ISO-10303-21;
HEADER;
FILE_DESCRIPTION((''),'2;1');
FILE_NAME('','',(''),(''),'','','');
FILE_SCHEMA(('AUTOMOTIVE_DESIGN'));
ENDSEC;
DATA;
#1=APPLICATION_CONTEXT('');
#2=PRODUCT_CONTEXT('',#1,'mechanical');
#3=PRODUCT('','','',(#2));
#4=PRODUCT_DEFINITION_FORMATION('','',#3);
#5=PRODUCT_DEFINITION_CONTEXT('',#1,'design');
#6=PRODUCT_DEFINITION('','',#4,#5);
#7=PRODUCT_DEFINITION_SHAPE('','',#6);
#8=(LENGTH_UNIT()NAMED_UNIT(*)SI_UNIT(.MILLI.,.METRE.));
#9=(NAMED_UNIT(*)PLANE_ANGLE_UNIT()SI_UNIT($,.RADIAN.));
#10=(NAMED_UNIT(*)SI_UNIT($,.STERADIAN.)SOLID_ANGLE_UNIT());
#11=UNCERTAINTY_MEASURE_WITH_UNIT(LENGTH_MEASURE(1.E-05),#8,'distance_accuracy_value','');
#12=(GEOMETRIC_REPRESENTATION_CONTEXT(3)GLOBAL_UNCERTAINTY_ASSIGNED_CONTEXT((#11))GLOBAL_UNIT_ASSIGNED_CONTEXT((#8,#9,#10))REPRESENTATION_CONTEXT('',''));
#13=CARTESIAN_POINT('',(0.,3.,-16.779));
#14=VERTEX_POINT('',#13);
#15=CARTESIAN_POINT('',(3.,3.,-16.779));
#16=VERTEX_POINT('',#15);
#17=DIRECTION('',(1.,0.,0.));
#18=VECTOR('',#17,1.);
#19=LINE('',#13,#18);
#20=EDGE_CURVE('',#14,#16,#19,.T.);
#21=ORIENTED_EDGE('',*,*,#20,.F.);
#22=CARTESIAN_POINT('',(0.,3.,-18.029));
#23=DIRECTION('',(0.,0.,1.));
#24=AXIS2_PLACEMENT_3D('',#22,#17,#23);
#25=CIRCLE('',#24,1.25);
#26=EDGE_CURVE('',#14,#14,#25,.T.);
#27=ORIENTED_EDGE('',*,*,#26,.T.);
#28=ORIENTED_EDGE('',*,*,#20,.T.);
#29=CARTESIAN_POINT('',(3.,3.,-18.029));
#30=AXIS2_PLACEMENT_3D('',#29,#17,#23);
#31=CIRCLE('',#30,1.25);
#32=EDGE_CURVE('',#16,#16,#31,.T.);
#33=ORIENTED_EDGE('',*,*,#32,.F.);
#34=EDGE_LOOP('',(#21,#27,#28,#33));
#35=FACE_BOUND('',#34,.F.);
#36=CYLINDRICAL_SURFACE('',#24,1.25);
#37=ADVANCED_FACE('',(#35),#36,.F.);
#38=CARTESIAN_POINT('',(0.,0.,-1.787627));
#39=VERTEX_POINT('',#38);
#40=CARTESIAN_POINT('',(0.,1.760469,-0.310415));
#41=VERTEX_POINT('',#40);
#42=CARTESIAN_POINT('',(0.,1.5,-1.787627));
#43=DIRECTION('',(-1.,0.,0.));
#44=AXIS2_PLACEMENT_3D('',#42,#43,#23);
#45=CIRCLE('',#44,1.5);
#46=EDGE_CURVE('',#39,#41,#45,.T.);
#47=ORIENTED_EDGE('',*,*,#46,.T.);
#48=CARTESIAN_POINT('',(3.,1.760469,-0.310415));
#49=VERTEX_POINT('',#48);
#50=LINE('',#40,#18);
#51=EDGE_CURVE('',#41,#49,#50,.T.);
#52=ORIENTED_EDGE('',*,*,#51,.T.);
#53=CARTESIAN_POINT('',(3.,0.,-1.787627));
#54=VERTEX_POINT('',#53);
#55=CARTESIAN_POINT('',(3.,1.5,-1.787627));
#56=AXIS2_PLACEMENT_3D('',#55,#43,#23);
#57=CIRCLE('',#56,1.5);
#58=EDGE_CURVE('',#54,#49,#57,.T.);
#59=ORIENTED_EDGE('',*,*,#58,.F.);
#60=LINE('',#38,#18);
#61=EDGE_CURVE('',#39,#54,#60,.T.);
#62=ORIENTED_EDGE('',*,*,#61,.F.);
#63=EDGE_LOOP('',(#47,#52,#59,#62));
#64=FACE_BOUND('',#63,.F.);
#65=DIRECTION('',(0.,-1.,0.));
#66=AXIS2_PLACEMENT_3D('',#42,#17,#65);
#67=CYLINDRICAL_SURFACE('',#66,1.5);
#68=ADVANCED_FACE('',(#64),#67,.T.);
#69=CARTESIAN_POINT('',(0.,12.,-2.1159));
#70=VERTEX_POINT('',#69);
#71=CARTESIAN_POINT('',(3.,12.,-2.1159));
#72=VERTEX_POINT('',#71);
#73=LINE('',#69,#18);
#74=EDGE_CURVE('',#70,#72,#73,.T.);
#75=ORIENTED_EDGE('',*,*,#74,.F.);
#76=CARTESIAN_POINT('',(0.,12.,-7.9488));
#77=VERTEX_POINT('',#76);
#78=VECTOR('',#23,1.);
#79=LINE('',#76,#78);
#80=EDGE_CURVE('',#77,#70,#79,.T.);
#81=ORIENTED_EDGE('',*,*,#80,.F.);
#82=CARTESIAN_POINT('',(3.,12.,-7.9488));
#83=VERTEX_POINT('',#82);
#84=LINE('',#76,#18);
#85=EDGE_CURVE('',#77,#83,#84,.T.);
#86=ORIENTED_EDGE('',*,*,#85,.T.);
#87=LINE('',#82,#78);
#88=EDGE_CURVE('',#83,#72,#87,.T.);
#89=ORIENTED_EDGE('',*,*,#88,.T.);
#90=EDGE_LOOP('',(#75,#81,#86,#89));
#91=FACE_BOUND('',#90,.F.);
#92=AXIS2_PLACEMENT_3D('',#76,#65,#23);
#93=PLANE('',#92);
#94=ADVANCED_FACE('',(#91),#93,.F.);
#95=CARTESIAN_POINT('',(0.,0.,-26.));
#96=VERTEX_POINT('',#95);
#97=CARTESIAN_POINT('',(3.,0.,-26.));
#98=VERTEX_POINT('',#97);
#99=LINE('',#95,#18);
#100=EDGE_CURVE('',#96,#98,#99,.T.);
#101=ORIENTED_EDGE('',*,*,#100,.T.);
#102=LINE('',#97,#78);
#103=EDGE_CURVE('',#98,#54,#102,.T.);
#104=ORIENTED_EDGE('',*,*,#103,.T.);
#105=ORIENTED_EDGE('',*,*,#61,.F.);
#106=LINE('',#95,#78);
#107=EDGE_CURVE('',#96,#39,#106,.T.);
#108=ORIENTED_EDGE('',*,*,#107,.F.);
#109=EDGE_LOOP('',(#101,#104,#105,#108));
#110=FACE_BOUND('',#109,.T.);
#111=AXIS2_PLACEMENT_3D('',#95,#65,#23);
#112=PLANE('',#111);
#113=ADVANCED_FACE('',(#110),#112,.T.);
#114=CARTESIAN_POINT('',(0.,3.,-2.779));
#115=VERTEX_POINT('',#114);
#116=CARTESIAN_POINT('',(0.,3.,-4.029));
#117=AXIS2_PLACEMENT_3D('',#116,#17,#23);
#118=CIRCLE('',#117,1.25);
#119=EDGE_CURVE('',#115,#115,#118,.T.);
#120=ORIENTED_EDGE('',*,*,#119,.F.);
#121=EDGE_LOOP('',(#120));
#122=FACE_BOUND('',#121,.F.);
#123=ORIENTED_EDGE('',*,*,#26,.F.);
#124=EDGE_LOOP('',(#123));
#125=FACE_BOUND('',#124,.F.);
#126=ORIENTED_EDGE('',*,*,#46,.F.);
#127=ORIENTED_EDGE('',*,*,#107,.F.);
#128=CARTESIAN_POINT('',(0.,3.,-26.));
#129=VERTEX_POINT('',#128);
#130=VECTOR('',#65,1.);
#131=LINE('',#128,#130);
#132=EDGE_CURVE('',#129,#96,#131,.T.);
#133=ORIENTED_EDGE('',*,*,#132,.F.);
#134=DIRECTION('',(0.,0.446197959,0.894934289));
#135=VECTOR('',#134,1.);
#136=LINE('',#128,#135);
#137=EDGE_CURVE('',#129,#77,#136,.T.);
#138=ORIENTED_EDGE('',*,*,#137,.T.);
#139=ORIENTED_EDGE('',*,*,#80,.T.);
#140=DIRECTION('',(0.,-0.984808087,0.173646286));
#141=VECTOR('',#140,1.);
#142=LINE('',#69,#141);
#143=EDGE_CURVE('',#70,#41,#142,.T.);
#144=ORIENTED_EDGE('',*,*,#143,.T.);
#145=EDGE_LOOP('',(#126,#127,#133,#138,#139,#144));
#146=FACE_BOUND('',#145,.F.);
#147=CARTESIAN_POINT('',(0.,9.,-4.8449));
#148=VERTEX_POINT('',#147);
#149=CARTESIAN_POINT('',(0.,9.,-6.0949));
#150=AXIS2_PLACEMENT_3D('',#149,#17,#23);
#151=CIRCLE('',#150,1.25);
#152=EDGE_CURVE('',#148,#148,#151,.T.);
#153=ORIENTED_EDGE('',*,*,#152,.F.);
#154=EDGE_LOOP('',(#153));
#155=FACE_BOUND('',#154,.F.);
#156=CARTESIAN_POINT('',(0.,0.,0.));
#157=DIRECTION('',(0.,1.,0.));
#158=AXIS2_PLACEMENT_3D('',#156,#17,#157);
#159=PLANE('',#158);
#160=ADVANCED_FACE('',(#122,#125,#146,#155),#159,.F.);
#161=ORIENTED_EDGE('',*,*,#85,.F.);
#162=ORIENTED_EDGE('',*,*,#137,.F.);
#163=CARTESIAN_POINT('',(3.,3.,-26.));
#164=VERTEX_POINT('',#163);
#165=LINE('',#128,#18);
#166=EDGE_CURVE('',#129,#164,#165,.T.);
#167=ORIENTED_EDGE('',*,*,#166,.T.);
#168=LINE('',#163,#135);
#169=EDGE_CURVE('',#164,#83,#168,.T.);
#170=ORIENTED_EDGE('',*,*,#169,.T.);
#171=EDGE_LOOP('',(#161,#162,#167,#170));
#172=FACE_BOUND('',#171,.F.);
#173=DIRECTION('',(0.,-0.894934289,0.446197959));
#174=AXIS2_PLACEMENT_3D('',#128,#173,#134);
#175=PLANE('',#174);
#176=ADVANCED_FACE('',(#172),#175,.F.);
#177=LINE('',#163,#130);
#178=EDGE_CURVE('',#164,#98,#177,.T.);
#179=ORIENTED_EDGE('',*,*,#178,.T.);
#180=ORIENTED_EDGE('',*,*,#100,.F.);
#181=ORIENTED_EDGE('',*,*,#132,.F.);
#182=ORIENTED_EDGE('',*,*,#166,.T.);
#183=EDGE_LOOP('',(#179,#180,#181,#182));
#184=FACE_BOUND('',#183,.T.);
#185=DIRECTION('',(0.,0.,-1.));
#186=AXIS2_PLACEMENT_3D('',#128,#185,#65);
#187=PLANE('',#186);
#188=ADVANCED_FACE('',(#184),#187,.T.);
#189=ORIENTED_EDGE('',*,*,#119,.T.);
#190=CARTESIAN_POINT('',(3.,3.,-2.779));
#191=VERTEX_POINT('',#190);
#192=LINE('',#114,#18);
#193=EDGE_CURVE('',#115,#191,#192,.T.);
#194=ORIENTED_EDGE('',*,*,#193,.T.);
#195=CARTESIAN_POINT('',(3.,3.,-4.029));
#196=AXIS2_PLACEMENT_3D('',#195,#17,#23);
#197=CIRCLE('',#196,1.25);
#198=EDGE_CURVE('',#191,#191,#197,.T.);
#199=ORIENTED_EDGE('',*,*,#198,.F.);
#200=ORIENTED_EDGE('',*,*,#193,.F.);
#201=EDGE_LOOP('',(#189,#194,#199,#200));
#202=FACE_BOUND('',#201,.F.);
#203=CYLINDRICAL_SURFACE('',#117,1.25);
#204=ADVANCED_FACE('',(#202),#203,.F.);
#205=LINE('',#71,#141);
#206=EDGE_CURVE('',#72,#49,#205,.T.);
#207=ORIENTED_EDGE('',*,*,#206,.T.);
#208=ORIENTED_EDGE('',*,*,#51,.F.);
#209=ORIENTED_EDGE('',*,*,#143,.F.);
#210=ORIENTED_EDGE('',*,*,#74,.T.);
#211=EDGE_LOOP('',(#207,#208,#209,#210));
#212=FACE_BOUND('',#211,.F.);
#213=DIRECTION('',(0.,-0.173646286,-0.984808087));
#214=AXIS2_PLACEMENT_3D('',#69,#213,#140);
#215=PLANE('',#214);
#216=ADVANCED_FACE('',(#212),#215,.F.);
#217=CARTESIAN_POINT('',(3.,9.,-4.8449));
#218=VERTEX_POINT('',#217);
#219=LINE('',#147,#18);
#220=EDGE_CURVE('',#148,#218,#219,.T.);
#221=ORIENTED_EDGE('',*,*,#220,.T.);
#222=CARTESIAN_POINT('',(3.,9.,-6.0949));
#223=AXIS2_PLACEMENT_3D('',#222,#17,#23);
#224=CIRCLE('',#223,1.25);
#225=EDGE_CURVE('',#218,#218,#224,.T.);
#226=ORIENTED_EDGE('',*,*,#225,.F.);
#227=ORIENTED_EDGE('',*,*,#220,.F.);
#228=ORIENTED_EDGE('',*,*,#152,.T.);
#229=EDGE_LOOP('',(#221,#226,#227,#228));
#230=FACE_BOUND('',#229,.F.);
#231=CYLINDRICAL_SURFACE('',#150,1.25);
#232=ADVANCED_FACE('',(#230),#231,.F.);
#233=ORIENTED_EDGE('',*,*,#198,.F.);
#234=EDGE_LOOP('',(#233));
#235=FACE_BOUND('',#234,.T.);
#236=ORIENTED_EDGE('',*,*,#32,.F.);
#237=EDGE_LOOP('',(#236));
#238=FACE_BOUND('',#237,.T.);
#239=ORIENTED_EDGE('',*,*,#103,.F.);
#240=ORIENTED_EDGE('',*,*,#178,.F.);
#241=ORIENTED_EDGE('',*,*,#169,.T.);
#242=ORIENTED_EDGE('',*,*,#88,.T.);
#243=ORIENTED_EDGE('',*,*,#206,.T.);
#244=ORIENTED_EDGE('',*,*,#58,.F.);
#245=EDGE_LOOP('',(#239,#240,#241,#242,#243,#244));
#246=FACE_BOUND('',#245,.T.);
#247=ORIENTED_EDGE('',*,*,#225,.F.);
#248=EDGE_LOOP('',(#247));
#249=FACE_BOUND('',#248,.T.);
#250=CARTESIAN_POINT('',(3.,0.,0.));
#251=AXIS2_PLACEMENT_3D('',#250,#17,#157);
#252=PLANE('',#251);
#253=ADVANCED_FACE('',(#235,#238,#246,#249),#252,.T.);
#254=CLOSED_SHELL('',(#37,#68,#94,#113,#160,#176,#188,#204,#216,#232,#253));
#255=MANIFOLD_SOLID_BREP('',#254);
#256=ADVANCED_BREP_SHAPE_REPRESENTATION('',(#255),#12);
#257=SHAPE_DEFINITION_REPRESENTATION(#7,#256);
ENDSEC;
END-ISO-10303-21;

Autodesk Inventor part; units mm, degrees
ref_plane "YZ Plane" through (0, 0, 0) normal (1, 0, 0) x (0, 1, 0)
ref_plane "XZ Plane" through (0, 0, 0) normal (0, 1, 0) x (-1, 0, 0)
ref_plane "XY Plane" through (0, 0, 0) normal (0, 0, 1) x (1, 0, 0)
sketch "Base" plane through (0, 0, 0) normal (1, 0, 0) x (0, 1, 0)
  line L0 (3, -26) -> (0, -26)
  line L1 (3, -26) -> (12, -7.9488)
  line L2 (12, -7.9488) -> (12, -2.1159)
  line L3 (12, -2.1159) -> (0, 0)
  line L4 (0, -26) -> (0, 0)
  dimension "d0" = 12
  dimension "d1" = 80
  dimension "d2" = 26.5
  dimension "d3" = 26
  dimension "d4" = 3
extrude "BaseFeature" add sketch "Base" along normal blind 3
fillet "BaseFilletsFeature" radius 1.5 1 edges at (1.5, 0, 0)
sketch "BaseHoles" plane through (0, 0, 0) normal (-1, 0, 0) x (0, 0, 1)
  line L0 (-26, 3) -> (-0.529, 3) construction
  line L1 (-0.3104, 1.7605) -> (-2.1159, 12) construction
  circle A0 centre (-18.029, 3) radius 1.75
  circle A1 centre (-4.029, 3) radius 1.75
  circle A2 centre (-18.029, 3) radius 7 construction
  circle A3 centre (-4.029, 3) radius 7 construction
  line L2 (-4.029, 3) -> (-7.0452, 11.7599) construction
  line L3 (-2.1159, 12) -> (-0.3104, 1.7605) projected
  circle A4 centre (-6.0949, 9) radius 1.75
  line L4 (-1.7876, 0) -> (-26, 0) projected
  line L5 (-7.9488, 12) -> (-2.1159, 12) projected
  dimension "d9" = 3.5
  dimension "d12" = 3.5
  dimension "d14" = 14
  dimension "d22" = 14
  dimension "d23" = 3
  dimension "d24" = 3
  dimension "d25" = 9
hole "BaseHolesFeature" at (0, 3, -18.029) at (0, 3, -4.029) at (0, 9, -6.0949) direction (1, 0, 0) diameter 2.5 end through all
equation "\"d24\" = d23"
properties part number "VibroKnuckle"
